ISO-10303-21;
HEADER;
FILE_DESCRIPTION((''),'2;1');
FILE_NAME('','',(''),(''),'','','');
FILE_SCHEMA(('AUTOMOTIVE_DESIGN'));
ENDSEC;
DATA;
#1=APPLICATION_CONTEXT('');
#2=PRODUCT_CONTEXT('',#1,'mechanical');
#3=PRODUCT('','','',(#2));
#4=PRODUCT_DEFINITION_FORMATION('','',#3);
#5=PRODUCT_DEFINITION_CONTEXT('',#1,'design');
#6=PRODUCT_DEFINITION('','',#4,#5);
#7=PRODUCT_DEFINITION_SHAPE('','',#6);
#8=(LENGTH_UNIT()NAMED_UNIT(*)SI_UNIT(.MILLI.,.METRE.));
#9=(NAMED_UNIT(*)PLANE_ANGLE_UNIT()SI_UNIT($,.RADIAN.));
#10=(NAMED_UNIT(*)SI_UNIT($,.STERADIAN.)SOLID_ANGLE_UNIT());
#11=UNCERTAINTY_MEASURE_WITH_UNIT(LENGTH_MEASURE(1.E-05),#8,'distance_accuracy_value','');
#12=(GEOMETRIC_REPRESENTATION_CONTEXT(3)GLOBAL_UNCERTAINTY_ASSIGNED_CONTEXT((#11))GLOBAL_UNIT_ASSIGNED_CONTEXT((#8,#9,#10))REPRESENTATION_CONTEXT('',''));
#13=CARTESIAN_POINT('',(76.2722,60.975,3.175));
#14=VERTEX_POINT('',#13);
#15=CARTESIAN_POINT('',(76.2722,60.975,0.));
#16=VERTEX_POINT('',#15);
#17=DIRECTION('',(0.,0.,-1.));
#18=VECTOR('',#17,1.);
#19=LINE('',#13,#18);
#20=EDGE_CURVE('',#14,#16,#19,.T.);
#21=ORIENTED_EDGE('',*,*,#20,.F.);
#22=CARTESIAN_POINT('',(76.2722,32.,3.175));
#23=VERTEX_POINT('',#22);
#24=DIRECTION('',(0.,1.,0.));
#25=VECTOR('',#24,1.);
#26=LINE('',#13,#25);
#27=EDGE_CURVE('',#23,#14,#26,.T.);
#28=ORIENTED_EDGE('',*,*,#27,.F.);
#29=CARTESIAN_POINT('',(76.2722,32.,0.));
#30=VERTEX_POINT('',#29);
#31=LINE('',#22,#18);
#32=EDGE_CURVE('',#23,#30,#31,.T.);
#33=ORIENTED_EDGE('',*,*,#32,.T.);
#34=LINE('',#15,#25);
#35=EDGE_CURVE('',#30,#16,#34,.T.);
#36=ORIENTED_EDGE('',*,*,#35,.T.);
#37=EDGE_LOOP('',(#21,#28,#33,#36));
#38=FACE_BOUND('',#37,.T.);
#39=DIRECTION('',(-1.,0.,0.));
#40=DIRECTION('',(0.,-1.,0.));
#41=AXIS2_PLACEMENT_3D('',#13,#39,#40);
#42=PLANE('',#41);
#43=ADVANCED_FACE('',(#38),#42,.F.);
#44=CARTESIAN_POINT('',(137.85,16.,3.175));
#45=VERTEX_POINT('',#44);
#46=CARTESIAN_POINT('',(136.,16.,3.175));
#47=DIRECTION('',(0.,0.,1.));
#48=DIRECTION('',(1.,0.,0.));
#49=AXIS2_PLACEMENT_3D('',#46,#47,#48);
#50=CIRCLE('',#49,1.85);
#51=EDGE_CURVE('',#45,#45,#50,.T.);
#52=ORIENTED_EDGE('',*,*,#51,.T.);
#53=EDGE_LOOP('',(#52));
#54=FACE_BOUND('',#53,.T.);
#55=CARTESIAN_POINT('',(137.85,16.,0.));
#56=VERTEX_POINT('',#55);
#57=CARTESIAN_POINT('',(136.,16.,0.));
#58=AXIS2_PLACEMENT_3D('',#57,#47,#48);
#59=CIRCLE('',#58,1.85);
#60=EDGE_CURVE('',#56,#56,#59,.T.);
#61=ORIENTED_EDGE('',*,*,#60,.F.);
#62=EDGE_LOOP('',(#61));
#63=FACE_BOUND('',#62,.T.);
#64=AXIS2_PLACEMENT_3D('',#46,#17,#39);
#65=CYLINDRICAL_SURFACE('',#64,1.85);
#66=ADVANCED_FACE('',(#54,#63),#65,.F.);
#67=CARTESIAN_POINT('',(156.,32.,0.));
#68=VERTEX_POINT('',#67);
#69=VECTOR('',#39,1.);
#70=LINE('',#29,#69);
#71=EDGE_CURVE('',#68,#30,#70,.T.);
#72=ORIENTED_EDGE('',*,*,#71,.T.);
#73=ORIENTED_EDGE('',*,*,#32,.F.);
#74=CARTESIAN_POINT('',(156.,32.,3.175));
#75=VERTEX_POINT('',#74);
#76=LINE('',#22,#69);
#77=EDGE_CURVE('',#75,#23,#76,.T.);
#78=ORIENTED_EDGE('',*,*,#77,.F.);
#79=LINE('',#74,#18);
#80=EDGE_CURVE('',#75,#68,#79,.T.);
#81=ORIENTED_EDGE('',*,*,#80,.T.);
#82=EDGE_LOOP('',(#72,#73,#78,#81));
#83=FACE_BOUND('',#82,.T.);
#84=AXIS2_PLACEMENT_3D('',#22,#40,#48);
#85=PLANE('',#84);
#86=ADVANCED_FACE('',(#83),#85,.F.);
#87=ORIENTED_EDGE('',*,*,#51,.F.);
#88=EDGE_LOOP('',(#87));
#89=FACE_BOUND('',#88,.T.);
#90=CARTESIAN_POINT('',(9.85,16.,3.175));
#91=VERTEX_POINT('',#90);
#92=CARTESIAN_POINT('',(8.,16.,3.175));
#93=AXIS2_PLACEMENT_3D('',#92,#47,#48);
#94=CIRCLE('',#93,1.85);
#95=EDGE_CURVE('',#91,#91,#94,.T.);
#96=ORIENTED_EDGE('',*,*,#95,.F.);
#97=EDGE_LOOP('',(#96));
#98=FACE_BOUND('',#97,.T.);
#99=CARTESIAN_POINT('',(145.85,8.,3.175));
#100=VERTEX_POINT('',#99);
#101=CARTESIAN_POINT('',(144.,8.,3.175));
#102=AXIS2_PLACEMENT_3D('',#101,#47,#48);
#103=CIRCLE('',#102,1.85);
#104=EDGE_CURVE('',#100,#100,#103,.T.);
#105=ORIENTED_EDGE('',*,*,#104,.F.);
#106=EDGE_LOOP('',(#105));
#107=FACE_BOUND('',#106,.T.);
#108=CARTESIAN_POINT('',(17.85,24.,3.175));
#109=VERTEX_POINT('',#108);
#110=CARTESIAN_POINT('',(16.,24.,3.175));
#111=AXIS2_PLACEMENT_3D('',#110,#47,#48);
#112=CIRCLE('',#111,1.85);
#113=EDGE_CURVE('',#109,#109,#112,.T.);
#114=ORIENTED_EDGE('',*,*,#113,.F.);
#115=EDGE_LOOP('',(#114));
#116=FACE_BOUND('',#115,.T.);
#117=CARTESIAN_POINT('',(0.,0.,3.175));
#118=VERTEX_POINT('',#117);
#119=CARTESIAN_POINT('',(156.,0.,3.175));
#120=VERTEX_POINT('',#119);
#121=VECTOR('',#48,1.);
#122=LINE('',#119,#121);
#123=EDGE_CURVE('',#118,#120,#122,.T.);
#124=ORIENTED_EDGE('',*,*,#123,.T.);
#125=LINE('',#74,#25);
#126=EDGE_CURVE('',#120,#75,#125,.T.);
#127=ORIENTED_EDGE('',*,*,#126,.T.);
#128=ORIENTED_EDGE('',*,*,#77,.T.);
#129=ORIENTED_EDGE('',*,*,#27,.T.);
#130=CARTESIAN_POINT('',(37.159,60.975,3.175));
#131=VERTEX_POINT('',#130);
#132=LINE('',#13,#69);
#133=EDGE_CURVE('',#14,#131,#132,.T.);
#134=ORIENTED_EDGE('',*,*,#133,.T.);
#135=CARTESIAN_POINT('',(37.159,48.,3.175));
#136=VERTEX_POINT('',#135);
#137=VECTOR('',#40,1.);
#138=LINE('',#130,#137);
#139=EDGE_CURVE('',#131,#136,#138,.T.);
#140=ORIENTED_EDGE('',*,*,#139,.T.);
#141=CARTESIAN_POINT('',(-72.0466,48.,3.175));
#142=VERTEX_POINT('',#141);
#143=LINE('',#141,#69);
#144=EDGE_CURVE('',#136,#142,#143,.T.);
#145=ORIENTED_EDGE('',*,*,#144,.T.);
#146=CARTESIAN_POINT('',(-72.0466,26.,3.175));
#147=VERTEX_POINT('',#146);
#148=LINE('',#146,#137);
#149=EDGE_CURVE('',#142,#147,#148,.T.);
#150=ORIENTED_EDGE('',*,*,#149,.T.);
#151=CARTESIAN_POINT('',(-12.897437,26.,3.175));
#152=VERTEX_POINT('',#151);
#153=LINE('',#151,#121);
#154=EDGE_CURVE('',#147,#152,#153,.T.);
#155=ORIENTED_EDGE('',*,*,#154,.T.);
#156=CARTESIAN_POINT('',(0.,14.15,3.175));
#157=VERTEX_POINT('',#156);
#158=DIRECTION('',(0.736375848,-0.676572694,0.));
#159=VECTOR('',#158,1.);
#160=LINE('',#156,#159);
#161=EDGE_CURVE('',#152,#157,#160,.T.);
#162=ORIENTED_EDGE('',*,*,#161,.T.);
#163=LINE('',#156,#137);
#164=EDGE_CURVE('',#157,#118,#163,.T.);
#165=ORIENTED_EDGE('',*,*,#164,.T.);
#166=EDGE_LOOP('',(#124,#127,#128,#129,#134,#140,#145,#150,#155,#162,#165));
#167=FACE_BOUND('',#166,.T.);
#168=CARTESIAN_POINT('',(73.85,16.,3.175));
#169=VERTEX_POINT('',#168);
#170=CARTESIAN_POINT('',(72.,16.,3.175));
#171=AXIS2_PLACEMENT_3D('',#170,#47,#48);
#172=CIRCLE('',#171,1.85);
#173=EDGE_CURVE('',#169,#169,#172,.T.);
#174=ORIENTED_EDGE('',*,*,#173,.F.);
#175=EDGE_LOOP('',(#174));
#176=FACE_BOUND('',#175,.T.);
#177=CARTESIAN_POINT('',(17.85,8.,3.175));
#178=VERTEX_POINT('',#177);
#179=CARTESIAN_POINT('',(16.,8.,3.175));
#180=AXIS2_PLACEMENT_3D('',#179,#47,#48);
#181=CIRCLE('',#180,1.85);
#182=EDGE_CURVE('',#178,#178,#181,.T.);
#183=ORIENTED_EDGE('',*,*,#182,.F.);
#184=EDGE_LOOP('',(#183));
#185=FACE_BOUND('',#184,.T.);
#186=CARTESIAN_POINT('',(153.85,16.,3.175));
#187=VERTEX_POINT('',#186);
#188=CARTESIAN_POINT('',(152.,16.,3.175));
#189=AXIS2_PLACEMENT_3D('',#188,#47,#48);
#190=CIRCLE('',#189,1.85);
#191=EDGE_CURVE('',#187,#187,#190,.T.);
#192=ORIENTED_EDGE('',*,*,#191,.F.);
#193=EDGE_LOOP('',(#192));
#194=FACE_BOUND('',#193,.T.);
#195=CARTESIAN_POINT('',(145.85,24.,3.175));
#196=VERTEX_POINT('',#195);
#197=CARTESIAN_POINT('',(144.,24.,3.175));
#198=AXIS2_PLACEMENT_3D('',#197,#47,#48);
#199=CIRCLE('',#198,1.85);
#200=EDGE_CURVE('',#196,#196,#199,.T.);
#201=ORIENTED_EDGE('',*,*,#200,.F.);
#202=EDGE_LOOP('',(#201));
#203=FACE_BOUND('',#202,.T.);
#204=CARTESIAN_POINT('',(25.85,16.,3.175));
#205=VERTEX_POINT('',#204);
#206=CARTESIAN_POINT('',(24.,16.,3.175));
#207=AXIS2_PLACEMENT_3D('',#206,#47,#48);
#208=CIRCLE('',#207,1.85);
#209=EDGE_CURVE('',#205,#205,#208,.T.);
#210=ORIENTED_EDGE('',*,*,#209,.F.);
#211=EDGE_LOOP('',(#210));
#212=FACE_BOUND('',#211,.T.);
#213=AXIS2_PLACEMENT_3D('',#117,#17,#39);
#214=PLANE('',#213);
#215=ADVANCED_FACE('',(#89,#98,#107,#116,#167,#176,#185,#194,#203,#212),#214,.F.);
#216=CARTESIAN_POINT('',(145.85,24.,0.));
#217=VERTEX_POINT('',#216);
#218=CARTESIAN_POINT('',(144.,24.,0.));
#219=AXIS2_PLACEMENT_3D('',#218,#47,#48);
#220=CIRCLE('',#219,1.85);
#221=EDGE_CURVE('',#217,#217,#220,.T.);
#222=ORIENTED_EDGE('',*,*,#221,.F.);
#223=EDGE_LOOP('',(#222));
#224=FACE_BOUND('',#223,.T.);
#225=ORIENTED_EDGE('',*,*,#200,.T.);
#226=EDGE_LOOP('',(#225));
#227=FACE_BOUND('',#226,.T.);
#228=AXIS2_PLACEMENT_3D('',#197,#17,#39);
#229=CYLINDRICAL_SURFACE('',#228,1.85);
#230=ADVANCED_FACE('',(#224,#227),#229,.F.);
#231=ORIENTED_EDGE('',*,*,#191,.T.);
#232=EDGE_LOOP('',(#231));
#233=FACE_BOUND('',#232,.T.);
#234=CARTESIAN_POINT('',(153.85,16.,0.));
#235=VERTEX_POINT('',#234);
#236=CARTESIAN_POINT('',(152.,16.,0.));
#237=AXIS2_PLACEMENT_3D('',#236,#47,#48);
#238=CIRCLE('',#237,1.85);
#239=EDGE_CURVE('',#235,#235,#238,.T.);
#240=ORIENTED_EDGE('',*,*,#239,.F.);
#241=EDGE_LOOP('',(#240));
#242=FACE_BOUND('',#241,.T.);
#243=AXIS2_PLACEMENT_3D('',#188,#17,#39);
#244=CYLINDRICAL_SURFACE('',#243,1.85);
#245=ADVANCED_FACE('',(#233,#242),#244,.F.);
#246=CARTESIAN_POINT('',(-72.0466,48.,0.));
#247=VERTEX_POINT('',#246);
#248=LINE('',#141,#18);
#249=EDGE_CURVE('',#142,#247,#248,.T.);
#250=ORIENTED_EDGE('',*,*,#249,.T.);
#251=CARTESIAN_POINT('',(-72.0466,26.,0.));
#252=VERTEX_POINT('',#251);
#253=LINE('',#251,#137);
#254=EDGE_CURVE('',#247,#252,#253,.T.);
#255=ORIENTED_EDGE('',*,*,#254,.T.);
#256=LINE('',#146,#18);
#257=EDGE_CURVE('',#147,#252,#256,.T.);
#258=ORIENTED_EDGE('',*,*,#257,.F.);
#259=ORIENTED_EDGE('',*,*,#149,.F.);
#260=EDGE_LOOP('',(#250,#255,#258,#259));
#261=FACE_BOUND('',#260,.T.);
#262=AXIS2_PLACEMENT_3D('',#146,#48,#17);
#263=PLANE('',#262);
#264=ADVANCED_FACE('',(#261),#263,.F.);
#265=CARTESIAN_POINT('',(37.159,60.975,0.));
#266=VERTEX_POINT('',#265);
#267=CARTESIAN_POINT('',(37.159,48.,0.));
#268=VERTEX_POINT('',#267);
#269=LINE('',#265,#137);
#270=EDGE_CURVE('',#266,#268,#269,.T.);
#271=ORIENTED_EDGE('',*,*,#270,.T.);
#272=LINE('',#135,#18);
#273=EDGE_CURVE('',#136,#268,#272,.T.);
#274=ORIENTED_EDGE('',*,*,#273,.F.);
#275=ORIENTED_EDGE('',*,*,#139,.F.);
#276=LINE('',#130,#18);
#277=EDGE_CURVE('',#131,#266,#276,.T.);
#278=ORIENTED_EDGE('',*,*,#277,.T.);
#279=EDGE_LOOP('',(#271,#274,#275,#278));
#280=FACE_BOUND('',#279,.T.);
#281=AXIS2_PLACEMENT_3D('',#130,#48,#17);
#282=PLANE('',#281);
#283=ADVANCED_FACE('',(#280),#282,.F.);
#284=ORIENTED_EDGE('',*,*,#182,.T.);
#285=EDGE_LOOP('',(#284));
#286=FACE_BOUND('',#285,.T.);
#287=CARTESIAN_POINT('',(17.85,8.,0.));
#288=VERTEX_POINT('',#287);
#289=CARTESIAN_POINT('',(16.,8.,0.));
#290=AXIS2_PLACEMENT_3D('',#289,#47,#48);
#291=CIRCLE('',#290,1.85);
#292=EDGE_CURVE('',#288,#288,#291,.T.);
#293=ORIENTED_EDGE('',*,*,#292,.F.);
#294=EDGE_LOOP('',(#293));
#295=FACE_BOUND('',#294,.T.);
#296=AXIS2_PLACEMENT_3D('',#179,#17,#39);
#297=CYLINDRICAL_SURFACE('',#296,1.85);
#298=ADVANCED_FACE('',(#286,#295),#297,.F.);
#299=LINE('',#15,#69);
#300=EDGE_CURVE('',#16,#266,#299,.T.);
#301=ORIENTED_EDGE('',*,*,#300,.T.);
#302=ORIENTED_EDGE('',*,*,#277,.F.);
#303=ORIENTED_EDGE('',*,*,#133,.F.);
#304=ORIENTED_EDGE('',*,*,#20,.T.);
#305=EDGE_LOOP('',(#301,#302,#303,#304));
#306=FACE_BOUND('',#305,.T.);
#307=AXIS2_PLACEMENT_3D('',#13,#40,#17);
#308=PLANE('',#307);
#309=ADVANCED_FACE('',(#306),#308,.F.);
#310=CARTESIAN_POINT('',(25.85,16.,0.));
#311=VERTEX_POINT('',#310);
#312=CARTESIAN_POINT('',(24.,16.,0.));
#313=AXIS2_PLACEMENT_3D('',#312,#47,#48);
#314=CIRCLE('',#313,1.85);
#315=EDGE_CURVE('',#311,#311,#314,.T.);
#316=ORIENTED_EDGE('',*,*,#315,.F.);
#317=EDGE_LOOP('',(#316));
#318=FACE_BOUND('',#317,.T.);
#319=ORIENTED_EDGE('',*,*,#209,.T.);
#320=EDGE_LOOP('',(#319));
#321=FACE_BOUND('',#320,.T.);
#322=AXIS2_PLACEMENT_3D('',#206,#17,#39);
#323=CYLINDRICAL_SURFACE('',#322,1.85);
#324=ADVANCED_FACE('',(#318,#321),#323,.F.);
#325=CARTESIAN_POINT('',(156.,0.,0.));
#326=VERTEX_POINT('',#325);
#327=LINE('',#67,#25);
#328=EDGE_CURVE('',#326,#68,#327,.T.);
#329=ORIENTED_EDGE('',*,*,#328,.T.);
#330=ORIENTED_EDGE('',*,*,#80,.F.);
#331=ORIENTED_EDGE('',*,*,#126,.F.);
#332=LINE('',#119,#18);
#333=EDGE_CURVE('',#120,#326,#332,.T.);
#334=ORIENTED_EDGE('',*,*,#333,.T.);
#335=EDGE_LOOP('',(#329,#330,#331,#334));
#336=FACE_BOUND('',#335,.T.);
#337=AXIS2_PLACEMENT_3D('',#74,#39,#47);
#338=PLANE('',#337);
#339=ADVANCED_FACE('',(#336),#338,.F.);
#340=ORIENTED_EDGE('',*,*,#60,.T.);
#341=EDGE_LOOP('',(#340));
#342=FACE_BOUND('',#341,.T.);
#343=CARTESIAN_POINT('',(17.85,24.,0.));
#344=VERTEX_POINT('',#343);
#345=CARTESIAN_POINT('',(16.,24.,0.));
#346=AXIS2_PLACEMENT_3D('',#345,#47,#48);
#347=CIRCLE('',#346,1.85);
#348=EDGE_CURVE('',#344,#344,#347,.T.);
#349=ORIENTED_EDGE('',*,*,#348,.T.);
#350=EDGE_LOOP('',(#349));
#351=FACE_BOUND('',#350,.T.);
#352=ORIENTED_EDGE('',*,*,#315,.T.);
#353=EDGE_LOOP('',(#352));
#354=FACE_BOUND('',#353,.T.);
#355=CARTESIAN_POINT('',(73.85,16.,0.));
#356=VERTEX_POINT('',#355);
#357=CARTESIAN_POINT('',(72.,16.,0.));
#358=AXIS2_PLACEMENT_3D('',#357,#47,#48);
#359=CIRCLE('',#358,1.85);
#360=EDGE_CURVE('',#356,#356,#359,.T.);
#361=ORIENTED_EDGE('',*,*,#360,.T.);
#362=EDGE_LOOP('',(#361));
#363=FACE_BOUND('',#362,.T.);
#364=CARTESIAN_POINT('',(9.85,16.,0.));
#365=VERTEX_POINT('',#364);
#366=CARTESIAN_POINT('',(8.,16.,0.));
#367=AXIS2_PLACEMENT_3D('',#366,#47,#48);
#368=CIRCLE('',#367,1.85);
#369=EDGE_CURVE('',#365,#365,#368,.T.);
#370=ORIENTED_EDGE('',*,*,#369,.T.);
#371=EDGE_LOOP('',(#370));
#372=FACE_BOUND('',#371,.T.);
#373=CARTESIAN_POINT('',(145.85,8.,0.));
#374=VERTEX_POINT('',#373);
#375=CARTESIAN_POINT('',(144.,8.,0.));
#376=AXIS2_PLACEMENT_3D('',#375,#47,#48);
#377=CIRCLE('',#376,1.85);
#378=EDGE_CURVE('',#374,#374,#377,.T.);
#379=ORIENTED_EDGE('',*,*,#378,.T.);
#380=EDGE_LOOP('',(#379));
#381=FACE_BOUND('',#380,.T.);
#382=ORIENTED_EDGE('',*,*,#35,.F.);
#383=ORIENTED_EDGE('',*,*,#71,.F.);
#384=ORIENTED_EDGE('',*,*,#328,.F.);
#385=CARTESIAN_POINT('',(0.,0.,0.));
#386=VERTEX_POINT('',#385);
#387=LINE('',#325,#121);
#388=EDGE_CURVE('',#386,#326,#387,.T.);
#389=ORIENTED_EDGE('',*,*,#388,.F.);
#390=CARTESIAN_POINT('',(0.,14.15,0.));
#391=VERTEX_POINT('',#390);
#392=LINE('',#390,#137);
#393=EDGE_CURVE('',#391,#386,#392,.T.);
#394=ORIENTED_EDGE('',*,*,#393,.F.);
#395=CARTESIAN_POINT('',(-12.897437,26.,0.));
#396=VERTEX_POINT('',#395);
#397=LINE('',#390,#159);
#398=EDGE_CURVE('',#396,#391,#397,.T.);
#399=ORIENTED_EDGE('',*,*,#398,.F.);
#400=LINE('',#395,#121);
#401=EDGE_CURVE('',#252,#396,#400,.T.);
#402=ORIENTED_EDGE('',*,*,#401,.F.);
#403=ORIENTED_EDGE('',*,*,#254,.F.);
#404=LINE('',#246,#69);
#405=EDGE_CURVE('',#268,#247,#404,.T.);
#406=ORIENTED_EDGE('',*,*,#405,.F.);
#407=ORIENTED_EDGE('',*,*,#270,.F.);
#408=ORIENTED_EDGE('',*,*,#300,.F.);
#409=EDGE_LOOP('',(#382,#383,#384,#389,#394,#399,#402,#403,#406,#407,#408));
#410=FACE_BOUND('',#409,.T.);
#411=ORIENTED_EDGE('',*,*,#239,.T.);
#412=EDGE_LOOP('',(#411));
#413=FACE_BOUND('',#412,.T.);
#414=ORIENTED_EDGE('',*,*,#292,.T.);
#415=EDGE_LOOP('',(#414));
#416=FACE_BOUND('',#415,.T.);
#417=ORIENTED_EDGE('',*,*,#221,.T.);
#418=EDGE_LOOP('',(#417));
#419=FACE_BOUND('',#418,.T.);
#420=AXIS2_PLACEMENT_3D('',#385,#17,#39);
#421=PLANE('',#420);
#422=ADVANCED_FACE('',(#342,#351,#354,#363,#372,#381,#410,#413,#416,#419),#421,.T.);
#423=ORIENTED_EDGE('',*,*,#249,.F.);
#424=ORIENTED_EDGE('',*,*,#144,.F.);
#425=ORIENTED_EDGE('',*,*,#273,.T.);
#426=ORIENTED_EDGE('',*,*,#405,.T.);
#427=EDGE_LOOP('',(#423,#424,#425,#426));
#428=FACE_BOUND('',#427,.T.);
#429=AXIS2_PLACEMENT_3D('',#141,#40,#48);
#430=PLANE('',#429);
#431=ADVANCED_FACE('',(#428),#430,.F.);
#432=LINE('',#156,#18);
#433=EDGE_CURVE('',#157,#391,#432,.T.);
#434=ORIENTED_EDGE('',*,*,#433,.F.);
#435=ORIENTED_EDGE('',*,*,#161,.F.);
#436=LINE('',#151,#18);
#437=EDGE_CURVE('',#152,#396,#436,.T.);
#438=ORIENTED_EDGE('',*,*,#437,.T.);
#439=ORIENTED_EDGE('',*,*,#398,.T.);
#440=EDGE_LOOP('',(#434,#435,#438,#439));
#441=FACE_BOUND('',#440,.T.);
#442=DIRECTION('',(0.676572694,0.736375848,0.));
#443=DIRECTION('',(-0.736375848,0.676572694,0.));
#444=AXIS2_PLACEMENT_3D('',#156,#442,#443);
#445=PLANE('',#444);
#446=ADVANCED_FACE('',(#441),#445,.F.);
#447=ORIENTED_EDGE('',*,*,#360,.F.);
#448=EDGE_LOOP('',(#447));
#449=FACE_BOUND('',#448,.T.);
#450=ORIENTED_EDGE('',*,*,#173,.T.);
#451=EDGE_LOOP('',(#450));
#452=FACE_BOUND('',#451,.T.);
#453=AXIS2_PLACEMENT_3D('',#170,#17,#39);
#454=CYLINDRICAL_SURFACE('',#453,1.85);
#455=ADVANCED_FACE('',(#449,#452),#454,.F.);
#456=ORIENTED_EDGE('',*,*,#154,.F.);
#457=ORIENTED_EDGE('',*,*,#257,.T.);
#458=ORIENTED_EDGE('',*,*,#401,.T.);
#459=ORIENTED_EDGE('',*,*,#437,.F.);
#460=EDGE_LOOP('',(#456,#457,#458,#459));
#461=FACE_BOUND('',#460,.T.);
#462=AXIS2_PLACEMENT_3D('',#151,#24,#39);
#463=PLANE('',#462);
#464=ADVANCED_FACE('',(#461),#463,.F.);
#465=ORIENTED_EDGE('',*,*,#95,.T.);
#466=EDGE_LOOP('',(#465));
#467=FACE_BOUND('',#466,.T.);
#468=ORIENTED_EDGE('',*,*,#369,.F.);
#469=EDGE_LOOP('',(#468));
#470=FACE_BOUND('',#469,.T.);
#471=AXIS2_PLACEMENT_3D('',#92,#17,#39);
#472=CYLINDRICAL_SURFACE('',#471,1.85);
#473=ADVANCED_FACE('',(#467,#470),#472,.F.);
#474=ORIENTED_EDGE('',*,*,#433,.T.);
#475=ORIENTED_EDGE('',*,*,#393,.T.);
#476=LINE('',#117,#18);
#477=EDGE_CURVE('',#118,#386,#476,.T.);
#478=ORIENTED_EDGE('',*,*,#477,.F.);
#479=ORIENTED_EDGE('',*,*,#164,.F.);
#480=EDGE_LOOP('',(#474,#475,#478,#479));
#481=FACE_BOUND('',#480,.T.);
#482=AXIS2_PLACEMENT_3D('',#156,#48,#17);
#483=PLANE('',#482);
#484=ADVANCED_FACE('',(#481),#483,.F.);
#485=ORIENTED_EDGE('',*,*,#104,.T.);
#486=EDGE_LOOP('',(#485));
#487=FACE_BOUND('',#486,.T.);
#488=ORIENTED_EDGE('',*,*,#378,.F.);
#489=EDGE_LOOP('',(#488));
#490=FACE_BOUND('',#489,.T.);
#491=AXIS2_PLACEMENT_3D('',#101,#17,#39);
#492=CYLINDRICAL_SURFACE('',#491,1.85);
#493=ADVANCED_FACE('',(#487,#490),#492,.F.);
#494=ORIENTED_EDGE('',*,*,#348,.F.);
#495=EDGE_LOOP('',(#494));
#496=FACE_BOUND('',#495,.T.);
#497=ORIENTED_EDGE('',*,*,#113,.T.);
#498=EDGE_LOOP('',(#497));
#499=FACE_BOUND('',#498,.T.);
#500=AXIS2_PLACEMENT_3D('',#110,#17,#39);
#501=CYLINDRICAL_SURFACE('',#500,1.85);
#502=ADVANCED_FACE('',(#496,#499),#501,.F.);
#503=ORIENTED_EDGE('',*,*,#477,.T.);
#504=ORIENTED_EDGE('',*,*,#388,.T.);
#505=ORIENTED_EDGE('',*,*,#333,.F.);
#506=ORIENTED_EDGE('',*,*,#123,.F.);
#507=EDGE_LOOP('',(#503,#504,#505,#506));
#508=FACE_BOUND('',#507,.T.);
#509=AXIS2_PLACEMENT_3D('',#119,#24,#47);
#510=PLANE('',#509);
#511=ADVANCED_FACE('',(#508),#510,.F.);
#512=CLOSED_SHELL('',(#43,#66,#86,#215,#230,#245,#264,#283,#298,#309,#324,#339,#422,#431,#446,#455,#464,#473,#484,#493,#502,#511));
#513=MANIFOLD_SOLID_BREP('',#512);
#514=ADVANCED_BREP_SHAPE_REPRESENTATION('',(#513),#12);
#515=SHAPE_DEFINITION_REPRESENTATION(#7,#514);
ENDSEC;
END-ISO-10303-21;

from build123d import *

# Parameters (mm, degrees)
SKETCH1_R           = 1.85
BOSS_EXTRUDE1_DEPTH = 3.175


with BuildPart() as part:
    # Sketch1 → Boss-Extrude1 (new body)
    with BuildSketch(Plane.XY):
        Polygon((156, 0), (0, 0), (0, 14.15), (-12.897437159, 26), (-72.0466, 26), (-72.0466, 48), (37.159, 48), (37.159, 60.975), (76.2722, 60.975), (76.2722, 32), (156, 32), align=None)
        with Locations((144, 8)):
            Circle(SKETCH1_R, mode=Mode.SUBTRACT)
        with Locations((144, 24)):
            Circle(SKETCH1_R, mode=Mode.SUBTRACT)
        with Locations((152, 16)):
            Circle(SKETCH1_R, mode=Mode.SUBTRACT)
        with Locations((136, 16)):
            Circle(SKETCH1_R, mode=Mode.SUBTRACT)
        with Locations((24, 16)):
            Circle(SKETCH1_R, mode=Mode.SUBTRACT)
        with Locations((16, 8)):
            Circle(SKETCH1_R, mode=Mode.SUBTRACT)
        with Locations((8, 16)):
            Circle(SKETCH1_R, mode=Mode.SUBTRACT)
        with Locations((16, 24)):
            Circle(SKETCH1_R, mode=Mode.SUBTRACT)
        with Locations((72, 16)):
            Circle(SKETCH1_R, mode=Mode.SUBTRACT)
    extrude(amount=BOSS_EXTRUDE1_DEPTH)


solid = part.part
